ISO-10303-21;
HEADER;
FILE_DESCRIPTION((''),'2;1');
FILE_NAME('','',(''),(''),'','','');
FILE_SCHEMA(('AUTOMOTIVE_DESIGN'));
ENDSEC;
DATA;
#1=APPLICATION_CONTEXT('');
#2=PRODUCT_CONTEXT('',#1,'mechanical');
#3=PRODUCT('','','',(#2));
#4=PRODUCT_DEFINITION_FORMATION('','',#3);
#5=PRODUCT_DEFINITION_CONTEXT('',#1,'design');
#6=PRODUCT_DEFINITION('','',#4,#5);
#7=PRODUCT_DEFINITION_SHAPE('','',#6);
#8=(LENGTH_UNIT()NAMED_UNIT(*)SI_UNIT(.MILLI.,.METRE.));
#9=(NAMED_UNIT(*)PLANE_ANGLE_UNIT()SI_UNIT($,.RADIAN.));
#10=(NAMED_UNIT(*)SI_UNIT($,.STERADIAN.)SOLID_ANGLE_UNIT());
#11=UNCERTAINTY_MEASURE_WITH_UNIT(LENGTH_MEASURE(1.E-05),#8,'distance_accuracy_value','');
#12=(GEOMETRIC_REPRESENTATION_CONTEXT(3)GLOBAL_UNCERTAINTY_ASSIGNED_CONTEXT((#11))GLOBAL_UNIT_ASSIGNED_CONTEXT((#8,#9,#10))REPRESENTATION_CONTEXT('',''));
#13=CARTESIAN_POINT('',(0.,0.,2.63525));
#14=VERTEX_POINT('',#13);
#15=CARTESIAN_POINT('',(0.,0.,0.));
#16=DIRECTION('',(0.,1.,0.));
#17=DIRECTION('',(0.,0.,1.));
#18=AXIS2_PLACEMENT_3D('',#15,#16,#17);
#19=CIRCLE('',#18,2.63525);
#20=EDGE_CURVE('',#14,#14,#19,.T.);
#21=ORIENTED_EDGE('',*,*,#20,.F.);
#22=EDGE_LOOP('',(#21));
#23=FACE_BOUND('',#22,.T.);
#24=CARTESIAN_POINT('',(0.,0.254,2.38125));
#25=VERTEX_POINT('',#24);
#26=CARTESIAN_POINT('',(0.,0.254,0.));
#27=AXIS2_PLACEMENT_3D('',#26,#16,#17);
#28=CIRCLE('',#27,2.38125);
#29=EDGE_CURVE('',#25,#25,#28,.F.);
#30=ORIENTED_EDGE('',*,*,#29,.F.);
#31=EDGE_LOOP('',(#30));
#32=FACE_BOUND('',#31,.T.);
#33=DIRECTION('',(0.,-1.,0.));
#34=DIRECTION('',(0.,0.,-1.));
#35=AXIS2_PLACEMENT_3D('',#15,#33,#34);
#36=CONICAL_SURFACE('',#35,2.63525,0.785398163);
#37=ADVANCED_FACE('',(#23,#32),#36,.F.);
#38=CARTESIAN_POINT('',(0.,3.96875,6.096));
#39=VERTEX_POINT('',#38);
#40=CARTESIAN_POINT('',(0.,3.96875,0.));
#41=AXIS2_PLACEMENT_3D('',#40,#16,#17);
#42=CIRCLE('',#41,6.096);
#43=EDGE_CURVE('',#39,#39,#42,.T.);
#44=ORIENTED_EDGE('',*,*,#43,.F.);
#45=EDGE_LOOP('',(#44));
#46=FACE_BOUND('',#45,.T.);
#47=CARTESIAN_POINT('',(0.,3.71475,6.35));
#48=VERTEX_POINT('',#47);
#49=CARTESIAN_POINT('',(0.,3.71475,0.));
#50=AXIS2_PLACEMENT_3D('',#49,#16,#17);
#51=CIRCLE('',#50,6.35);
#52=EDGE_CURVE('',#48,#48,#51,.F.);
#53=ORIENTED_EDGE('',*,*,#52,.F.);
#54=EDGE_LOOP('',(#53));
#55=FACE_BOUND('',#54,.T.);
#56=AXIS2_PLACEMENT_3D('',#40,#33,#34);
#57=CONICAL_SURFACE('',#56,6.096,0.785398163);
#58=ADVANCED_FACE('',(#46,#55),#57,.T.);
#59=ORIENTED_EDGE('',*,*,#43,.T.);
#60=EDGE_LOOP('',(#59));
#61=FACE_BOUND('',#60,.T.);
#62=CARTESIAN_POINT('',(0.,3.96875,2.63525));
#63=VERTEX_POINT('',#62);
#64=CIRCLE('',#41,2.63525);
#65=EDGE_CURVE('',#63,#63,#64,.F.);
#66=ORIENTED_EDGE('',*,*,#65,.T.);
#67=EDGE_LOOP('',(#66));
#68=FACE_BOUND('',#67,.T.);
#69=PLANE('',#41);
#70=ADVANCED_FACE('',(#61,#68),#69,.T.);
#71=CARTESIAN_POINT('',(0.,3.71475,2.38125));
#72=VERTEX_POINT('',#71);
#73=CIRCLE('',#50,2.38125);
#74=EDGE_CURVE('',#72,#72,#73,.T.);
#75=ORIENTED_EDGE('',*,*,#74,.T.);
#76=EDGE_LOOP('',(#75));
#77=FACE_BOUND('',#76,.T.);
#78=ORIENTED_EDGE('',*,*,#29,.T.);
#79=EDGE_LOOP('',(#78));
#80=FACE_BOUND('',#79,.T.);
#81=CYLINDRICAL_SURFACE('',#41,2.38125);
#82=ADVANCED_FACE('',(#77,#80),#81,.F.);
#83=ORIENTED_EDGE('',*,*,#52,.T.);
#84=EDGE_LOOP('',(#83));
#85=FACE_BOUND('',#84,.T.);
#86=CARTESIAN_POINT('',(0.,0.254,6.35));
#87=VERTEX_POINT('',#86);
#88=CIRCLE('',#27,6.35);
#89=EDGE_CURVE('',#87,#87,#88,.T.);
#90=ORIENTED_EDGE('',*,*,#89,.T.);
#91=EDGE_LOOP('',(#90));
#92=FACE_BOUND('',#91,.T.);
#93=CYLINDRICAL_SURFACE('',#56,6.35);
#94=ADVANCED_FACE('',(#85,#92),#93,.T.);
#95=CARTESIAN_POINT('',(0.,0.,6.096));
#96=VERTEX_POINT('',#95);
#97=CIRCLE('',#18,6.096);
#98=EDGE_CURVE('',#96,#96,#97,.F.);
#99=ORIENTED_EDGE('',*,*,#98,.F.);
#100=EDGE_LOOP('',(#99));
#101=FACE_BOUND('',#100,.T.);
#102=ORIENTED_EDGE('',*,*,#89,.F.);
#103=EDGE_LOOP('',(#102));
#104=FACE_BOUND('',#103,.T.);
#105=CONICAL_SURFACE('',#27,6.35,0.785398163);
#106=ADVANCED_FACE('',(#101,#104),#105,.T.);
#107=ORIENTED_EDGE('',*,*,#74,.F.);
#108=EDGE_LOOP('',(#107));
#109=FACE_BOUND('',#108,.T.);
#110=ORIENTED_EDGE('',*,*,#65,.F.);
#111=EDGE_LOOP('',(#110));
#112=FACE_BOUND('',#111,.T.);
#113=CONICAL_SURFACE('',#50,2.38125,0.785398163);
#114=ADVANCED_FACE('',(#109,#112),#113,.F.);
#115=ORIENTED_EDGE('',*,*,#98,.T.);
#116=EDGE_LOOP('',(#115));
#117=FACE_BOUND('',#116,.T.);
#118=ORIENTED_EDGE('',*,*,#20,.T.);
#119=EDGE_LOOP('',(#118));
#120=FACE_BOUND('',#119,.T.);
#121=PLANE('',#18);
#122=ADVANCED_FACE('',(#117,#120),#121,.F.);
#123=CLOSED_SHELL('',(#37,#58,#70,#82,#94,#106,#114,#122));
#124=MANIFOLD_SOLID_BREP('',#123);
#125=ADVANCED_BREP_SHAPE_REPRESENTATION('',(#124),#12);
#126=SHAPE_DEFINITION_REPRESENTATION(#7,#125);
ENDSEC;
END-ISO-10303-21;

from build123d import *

# Parameters (mm, degrees)
SKETCH1_R                      = 6.35
BOSS_EXTRUDE1_DEPTH            = 3.96875
F_3_16_0_1875_DIAMETER_HOLE1_D = 4.7625
CHAMFER1_SIZE                  = 0.254


with BuildPart() as part:
    # Sketch1 → Boss-Extrude1 (new body)
    with BuildSketch(Plane(origin=(0, 0, 0), x_dir=(1, 0, 0), z_dir=(0, 1, 0))):
        with Locations(Location((0, 0, 0), (0, 0, 270))):
            Circle(SKETCH1_R)
    extrude(amount=BOSS_EXTRUDE1_DEPTH)

    # 3/16 (0.1875) Diameter Hole1 (through all)
    with Locations(Plane(origin=(0, 3.96875, 0), x_dir=(1, 0, 0), z_dir=(0, 1, 0))):
        with Locations((0, 0)):
            Hole(F_3_16_0_1875_DIAMETER_HOLE1_D / 2)

    # Chamfer1
    chamfer1_edges = [part.edges().sort_by_distance(p)[0] for p in [
        (0, 0, -6.35),
        (0, 3.96875, -6.35),
        (2.38125, 3.96875, 0),
        (2.38125, 0, 0),
    ]]
    chamfer(chamfer1_edges, length=CHAMFER1_SIZE)


solid = part.part
